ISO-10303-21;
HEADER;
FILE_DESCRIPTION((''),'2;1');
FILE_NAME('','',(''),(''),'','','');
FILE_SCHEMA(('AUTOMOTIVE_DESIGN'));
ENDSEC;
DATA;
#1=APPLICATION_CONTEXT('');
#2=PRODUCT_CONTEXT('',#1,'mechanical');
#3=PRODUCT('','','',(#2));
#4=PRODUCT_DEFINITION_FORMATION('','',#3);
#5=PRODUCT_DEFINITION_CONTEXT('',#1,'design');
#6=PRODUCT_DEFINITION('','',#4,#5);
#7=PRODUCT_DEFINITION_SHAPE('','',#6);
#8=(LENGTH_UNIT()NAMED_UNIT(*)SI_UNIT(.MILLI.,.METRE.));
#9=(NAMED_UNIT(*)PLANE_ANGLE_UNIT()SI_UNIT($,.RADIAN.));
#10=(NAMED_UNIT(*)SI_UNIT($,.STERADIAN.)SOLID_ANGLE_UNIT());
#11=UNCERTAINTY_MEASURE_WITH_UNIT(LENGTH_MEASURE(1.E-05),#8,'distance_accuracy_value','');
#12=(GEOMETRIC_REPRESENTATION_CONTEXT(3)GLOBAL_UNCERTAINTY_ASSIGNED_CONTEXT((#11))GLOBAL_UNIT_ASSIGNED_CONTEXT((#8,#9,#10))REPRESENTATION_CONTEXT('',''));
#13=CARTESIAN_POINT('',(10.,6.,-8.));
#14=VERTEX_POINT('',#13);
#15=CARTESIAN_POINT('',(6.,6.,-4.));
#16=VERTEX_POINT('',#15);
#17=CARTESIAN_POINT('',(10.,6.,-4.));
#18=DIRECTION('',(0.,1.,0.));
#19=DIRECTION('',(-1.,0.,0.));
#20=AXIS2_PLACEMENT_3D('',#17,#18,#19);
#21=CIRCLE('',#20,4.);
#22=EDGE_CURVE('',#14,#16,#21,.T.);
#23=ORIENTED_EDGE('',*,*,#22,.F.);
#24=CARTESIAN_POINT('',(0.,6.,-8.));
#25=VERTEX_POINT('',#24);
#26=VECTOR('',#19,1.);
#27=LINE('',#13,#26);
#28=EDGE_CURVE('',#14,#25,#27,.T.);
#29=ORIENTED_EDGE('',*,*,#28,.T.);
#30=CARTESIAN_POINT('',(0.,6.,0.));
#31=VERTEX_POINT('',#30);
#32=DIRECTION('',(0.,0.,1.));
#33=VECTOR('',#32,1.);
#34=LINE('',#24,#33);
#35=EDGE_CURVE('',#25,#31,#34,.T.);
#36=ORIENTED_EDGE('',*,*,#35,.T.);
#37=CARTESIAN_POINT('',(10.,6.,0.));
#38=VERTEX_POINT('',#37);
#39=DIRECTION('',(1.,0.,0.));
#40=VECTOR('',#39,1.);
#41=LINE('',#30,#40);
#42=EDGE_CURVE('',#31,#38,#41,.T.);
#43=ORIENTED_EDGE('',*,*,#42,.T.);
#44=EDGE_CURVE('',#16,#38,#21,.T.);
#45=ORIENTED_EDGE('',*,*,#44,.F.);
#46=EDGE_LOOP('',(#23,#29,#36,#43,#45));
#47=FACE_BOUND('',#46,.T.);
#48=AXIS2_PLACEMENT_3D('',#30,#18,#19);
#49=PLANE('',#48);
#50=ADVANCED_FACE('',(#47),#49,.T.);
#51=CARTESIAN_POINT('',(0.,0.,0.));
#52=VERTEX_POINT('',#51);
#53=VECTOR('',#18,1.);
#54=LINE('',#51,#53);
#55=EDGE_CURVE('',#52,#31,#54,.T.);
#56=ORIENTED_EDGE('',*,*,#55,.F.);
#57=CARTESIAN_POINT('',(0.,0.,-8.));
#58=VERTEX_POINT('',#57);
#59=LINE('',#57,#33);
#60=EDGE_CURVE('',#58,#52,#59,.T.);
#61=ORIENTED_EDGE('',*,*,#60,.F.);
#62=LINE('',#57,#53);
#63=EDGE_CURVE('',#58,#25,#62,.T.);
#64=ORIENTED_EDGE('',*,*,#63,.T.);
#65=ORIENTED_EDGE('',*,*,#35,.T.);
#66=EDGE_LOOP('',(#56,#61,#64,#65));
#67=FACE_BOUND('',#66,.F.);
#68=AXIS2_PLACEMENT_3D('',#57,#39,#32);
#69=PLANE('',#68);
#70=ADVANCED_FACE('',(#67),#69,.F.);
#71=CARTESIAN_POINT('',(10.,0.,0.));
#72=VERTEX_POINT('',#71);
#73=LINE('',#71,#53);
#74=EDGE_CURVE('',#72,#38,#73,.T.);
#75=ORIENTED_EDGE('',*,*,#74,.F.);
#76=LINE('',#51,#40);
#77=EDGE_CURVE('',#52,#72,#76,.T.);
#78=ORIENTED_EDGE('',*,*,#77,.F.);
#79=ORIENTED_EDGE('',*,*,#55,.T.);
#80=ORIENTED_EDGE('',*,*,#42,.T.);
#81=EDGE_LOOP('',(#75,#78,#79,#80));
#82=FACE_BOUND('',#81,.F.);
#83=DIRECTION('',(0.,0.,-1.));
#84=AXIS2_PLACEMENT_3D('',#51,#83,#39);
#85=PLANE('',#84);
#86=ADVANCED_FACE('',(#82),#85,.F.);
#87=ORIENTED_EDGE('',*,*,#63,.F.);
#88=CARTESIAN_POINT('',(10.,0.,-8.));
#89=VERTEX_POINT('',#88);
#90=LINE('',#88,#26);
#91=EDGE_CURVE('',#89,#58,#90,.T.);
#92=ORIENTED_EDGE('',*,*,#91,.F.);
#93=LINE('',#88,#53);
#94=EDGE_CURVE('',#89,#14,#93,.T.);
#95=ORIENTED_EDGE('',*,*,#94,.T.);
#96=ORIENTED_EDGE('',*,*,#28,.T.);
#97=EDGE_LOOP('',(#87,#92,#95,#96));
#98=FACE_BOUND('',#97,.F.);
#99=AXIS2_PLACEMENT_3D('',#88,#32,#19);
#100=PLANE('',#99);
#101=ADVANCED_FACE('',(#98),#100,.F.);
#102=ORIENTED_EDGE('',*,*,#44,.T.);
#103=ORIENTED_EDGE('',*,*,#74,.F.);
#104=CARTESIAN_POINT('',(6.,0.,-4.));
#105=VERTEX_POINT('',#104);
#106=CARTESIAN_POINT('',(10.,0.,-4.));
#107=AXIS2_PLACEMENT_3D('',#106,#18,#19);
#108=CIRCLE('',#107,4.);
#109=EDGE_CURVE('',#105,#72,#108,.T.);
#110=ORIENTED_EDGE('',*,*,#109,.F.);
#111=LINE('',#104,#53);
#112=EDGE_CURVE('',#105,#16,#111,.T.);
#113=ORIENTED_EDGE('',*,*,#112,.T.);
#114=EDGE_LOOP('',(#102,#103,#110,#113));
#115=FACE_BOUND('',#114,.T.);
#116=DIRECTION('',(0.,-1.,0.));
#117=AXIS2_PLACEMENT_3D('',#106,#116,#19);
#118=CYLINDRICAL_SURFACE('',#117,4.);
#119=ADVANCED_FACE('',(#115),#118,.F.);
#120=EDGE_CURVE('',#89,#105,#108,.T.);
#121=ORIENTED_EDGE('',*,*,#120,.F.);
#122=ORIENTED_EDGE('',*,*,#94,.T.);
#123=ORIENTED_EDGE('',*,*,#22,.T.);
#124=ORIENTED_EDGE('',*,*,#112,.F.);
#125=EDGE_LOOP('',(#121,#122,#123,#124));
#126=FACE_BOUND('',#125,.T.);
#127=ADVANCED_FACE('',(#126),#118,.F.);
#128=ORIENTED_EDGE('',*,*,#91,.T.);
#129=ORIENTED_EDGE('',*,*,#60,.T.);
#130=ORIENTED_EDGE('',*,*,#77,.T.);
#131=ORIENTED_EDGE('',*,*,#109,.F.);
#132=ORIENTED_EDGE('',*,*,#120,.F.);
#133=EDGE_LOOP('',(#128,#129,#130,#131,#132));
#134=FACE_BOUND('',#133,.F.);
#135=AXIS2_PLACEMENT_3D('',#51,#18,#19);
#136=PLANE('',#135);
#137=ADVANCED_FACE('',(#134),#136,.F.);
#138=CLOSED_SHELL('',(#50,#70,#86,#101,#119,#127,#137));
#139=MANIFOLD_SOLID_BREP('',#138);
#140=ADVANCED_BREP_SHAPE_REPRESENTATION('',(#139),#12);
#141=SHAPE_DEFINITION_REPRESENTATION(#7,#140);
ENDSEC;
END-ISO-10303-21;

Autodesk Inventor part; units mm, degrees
ref_plane "YZ Plane" through (0, 0, 0) normal (1, 0, 0) x (0, 1, 0)
ref_plane "XZ Plane" through (0, 0, 0) normal (0, 1, 0) x (-1, 0, 0)
ref_plane "XY Plane" through (0, 0, 0) normal (0, 0, 1) x (1, 0, 0)
sketch "Sketch1" plane through (0, 0, 0) normal (0, 1, 0) x (-1, 0, 0)
  line L0 (0, 0) -> (-10, 0)
  line L1 (-10, 0) -> (-10, -8)
  line L2 (-10, -8) -> (0, -8)
  line L3 (0, -8) -> (0, 0)
  circle A0 centre (-10, -4) radius 4
  dimension "d4" = 8
  dimension "d5" = 10
  dimension "d6" = 8
extrude "Extrusion1" add sketch "Sketch1" along normal blind 6 contours L3 L2 A0 L0
properties part number "Extension_adapter"
